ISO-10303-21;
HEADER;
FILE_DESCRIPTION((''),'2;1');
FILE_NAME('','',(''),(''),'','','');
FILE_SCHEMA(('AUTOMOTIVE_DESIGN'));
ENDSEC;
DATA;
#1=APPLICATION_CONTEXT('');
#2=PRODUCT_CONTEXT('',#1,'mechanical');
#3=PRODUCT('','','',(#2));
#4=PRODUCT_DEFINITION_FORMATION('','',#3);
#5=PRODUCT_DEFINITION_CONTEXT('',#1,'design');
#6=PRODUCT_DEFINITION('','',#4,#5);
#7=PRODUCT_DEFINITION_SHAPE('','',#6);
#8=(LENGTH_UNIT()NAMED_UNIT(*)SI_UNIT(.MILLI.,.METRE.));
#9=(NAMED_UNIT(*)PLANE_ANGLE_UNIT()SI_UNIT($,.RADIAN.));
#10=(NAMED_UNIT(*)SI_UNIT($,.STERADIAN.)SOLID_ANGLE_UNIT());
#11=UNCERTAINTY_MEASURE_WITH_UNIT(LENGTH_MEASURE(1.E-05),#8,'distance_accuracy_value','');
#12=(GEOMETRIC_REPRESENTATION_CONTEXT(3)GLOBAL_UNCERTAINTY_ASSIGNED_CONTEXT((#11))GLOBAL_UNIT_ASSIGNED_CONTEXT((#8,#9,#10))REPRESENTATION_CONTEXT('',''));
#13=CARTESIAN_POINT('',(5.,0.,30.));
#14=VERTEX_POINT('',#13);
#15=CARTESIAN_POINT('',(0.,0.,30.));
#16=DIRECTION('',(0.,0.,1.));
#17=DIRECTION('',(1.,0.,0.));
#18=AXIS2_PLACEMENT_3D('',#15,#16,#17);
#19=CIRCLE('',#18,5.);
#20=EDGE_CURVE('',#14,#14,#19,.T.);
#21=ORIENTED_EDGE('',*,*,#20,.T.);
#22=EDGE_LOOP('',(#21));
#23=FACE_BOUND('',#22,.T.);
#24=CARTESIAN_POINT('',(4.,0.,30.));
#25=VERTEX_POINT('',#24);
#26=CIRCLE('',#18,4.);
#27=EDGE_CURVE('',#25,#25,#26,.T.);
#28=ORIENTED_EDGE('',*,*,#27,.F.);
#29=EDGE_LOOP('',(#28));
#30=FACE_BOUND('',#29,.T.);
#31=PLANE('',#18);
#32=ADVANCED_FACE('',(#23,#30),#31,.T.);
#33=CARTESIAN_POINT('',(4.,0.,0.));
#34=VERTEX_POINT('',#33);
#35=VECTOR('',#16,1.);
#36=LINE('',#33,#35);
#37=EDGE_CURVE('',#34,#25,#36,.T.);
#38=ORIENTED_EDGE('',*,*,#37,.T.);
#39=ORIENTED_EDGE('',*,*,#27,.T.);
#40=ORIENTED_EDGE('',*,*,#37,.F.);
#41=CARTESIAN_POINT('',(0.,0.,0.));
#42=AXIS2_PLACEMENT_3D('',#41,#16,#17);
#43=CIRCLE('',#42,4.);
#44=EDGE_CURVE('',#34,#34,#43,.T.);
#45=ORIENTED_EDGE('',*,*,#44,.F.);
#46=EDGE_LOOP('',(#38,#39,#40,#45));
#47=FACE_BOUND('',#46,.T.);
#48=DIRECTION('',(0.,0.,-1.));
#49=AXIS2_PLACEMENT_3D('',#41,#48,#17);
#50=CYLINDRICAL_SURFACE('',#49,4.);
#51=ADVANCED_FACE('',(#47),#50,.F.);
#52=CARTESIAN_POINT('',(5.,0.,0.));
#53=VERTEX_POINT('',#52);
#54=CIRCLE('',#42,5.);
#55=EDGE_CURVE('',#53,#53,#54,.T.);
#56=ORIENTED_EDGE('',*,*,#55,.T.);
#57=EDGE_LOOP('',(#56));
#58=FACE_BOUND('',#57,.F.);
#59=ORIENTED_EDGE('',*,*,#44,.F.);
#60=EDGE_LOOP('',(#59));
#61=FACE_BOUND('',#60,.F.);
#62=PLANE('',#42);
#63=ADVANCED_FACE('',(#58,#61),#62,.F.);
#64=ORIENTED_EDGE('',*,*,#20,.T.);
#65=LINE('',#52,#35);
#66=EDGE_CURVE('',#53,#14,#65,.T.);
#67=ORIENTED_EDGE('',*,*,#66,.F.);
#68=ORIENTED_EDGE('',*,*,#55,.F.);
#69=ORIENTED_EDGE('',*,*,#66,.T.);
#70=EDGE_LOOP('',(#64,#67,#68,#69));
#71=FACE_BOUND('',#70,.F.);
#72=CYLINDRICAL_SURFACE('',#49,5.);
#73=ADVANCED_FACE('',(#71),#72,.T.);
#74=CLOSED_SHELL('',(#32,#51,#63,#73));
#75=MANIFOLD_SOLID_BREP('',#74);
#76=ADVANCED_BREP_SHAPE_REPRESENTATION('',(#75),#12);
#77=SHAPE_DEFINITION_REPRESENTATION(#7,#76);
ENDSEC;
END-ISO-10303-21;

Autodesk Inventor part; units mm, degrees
ref_plane "YZ Plane" through (0, 0, 0) normal (1, 0, 0) x (0, 1, 0)
ref_plane "XZ Plane" through (0, 0, 0) normal (0, 1, 0) x (-1, 0, 0)
ref_plane "XY Plane" through (0, 0, 0) normal (0, 0, 1) x (1, 0, 0)
sketch "Sketch1" plane through (0, 0, 0) normal (0, 0, 1) x (1, 0, 0)
  circle A0 centre (0, 0) radius 5
  circle A1 centre (0, 0) radius 4
  dimension "d0" = 10
  dimension "d1" = 8
extrude "Extrusion1" add sketch "Sketch1" along normal blind 30
properties part number "Launch lug" material "PLA"
